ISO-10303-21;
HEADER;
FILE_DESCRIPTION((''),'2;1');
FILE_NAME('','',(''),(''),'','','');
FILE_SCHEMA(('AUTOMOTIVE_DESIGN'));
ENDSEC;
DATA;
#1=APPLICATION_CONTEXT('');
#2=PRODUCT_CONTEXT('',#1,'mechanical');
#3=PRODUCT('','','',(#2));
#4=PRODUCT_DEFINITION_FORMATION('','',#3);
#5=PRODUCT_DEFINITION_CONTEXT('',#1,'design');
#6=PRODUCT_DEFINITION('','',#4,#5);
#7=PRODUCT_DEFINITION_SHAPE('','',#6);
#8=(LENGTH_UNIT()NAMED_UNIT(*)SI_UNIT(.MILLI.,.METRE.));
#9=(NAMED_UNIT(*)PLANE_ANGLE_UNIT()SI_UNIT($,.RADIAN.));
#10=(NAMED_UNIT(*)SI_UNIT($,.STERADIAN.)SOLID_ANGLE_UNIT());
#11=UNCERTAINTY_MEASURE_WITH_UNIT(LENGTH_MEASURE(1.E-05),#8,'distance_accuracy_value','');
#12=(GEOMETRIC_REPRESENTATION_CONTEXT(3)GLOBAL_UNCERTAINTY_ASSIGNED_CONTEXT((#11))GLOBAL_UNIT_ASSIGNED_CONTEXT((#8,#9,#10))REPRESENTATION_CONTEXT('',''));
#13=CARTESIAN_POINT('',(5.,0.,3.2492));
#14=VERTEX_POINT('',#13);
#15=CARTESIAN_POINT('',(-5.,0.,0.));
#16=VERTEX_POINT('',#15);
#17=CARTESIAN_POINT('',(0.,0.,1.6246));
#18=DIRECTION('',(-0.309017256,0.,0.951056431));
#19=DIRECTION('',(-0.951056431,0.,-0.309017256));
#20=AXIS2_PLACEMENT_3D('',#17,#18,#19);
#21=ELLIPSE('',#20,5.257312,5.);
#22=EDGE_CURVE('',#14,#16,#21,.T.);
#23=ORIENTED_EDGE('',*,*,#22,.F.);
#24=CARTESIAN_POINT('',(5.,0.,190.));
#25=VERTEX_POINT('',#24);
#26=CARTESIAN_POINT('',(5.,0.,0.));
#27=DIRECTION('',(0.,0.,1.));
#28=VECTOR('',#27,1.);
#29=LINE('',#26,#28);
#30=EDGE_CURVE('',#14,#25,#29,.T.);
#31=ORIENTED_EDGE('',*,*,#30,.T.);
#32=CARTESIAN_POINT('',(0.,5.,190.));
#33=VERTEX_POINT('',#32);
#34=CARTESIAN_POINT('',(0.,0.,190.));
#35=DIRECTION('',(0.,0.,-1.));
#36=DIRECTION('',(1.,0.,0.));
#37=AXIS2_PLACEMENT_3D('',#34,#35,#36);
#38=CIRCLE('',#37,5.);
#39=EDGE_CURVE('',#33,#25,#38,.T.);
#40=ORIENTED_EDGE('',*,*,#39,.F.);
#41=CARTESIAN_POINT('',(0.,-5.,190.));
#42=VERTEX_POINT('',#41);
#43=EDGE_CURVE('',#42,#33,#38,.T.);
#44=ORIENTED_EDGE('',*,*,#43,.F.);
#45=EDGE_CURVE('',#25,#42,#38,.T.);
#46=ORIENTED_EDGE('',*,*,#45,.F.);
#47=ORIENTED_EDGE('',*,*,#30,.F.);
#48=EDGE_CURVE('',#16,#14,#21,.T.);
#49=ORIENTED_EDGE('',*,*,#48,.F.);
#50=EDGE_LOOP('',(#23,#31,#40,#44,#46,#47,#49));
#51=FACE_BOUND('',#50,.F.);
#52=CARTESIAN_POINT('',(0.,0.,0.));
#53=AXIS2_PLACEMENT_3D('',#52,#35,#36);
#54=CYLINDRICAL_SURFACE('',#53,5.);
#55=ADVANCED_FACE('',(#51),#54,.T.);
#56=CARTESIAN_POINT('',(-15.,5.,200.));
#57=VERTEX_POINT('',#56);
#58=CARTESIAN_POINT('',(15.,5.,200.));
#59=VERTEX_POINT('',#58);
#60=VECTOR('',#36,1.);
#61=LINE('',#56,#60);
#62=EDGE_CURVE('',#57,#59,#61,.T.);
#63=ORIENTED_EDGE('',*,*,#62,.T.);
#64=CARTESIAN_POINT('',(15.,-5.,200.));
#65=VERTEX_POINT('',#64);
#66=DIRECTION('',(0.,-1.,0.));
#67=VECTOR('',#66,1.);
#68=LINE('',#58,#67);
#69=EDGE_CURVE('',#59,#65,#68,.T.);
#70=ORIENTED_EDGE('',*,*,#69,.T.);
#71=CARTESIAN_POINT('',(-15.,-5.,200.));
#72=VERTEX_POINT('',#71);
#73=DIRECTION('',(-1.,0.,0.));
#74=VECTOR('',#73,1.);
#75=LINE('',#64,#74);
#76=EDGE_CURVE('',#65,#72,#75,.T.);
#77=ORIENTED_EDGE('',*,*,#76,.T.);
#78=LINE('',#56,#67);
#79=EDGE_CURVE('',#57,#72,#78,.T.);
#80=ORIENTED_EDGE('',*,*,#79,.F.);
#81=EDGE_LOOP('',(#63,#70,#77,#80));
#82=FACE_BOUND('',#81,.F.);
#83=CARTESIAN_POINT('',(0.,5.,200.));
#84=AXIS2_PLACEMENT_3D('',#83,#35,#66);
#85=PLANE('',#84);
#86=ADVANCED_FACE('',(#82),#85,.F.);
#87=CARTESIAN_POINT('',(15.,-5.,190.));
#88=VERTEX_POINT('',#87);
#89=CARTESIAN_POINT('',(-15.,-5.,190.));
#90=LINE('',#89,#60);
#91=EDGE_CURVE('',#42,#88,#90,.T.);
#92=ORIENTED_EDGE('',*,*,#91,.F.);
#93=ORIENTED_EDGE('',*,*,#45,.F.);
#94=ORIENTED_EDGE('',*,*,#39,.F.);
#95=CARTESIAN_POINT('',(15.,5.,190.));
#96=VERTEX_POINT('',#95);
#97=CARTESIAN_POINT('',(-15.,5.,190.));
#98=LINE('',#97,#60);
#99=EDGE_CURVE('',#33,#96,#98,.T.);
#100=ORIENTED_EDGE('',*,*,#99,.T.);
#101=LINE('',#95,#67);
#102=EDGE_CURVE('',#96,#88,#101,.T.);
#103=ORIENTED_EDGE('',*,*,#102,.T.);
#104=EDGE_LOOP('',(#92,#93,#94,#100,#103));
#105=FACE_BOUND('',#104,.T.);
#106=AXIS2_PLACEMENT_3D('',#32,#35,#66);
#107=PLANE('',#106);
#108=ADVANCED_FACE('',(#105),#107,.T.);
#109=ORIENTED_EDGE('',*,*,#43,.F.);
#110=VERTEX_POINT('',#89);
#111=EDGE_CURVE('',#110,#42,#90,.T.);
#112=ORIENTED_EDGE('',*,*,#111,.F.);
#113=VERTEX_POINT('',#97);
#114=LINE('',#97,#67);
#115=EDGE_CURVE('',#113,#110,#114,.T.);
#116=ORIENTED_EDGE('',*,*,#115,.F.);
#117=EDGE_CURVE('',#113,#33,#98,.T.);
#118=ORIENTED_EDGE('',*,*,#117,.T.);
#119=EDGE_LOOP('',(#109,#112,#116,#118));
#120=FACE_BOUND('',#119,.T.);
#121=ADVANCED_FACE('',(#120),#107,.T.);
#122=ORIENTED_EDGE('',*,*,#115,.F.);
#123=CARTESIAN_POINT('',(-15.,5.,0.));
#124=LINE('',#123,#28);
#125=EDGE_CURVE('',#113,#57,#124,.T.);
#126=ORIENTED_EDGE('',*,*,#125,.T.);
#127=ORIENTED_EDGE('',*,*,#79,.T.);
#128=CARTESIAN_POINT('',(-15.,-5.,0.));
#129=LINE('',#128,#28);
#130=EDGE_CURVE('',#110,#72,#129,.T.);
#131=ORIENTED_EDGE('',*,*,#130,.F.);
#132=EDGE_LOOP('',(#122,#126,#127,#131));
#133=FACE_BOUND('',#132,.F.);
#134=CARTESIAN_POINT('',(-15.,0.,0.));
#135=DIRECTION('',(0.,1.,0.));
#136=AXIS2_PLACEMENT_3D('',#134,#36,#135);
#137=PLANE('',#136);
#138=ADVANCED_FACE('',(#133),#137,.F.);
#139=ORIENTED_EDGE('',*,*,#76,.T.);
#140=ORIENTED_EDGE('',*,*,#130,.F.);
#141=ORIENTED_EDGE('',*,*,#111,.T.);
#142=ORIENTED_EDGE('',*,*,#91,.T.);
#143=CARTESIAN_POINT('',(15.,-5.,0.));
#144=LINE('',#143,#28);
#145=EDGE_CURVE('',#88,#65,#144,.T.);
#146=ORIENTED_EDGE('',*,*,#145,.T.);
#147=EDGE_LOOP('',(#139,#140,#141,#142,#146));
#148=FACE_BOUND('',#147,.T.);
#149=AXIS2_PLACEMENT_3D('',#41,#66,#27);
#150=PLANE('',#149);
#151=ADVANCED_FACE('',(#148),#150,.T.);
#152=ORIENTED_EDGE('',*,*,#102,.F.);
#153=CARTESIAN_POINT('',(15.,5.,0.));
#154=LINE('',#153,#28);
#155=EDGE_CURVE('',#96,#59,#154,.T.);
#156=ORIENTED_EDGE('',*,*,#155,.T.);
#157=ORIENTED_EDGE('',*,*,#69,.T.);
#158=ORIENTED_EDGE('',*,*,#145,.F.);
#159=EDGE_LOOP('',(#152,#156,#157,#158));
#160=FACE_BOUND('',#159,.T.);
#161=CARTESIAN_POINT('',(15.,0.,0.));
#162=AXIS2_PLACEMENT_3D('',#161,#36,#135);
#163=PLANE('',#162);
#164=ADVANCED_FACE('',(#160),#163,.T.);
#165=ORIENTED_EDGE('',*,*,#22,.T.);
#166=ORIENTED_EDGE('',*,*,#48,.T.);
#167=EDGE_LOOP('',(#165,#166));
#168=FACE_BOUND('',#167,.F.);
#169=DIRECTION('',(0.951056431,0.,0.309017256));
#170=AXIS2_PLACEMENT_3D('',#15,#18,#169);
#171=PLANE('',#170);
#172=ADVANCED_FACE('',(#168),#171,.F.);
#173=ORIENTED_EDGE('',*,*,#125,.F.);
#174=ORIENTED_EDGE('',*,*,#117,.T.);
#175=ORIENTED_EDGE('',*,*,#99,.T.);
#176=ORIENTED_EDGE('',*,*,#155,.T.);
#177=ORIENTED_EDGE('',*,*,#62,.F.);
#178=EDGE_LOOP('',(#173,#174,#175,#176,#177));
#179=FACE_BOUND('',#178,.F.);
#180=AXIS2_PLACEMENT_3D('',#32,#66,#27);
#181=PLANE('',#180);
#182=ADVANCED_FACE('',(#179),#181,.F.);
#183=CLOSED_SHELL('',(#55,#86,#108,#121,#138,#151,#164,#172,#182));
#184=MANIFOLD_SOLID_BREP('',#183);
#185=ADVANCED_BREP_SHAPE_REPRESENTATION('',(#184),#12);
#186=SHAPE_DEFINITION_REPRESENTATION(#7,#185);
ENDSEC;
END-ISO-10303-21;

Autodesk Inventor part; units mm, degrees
ref_plane "YZ Plane" through (0, 0, 0) normal (1, 0, 0) x (0, 1, 0)
ref_plane "XZ Plane" through (0, 0, 0) normal (0, 1, 0) x (-1, 0, 0)
sketch "Sketch1" plane through (0, 0, 0) normal (0, 0, 1) x (1, 0, 0)
  circle A0 centre (0, 0) radius 5
  dimension "d0" = 10
extrude "Extrusion1" add sketch "Sketch1" along normal blind 200
sketch "Sketch2" plane through (0, 0, 0) normal (1, 0, 0) x (0, 1, 0)
  line L0 (-5, 0) -> (-5, 200) projected
  line L1 (5, 0) -> (5, 200) projected
  line L2 (5, 200) -> (-5, 200) projected
  line L3 (-5, 200) -> (5, 200)
  line L4 (5, 200) -> (5, 190)
  line L5 (5, 190) -> (-5, 190)
  line L6 (-5, 190) -> (-5, 200)
  point P0 (0, 0)
  dimension "d3" = 10
extrude "Extrusion2" add sketch "Sketch2" along normal mid plane 30
ref_plane "Work Plane1" through (-15, 0, 200) normal (0, -1, 0) x (1, 0, 0)
sketch "Sketch3" plane through (-15, 0, 200) normal (0, -1, 0) x (1, 0, 0)
  line L0 (0, 0) -> (30, 0) projected
  line L1 (30, -10) -> (30, 0) projected
  line L2 (15, -10) -> (30, -10) projected
  line L3 (0, -10) -> (15, -10) projected
  line L4 (0, 0) -> (0, -10) projected
  line L5 (15, -10) -> (15, -10) projected
  line L6 (15, -10) -> (15, -10) projected
  line L7 (10, -200) -> (20, -200) projected
  line L8 (20, -200) -> (20, -10) projected
  line L9 (10, -200) -> (20, -196.7508)
  line L10 (10, -200) -> (20, -200) projected
  line L11 (20, -196.7508) -> (20, -200)
  line L12 (10, -200) -> (20, -200)
  line L13 (10, -200) -> (10, -10) projected
  point P0 (15, -200)
  dimension "d10" = 18
extrude "Extrusion3" cut sketch "Sketch3" along normal through all both and the other way through all contours L9 L8 L7
properties part number "EE_Arm-Rod-Rev1"
